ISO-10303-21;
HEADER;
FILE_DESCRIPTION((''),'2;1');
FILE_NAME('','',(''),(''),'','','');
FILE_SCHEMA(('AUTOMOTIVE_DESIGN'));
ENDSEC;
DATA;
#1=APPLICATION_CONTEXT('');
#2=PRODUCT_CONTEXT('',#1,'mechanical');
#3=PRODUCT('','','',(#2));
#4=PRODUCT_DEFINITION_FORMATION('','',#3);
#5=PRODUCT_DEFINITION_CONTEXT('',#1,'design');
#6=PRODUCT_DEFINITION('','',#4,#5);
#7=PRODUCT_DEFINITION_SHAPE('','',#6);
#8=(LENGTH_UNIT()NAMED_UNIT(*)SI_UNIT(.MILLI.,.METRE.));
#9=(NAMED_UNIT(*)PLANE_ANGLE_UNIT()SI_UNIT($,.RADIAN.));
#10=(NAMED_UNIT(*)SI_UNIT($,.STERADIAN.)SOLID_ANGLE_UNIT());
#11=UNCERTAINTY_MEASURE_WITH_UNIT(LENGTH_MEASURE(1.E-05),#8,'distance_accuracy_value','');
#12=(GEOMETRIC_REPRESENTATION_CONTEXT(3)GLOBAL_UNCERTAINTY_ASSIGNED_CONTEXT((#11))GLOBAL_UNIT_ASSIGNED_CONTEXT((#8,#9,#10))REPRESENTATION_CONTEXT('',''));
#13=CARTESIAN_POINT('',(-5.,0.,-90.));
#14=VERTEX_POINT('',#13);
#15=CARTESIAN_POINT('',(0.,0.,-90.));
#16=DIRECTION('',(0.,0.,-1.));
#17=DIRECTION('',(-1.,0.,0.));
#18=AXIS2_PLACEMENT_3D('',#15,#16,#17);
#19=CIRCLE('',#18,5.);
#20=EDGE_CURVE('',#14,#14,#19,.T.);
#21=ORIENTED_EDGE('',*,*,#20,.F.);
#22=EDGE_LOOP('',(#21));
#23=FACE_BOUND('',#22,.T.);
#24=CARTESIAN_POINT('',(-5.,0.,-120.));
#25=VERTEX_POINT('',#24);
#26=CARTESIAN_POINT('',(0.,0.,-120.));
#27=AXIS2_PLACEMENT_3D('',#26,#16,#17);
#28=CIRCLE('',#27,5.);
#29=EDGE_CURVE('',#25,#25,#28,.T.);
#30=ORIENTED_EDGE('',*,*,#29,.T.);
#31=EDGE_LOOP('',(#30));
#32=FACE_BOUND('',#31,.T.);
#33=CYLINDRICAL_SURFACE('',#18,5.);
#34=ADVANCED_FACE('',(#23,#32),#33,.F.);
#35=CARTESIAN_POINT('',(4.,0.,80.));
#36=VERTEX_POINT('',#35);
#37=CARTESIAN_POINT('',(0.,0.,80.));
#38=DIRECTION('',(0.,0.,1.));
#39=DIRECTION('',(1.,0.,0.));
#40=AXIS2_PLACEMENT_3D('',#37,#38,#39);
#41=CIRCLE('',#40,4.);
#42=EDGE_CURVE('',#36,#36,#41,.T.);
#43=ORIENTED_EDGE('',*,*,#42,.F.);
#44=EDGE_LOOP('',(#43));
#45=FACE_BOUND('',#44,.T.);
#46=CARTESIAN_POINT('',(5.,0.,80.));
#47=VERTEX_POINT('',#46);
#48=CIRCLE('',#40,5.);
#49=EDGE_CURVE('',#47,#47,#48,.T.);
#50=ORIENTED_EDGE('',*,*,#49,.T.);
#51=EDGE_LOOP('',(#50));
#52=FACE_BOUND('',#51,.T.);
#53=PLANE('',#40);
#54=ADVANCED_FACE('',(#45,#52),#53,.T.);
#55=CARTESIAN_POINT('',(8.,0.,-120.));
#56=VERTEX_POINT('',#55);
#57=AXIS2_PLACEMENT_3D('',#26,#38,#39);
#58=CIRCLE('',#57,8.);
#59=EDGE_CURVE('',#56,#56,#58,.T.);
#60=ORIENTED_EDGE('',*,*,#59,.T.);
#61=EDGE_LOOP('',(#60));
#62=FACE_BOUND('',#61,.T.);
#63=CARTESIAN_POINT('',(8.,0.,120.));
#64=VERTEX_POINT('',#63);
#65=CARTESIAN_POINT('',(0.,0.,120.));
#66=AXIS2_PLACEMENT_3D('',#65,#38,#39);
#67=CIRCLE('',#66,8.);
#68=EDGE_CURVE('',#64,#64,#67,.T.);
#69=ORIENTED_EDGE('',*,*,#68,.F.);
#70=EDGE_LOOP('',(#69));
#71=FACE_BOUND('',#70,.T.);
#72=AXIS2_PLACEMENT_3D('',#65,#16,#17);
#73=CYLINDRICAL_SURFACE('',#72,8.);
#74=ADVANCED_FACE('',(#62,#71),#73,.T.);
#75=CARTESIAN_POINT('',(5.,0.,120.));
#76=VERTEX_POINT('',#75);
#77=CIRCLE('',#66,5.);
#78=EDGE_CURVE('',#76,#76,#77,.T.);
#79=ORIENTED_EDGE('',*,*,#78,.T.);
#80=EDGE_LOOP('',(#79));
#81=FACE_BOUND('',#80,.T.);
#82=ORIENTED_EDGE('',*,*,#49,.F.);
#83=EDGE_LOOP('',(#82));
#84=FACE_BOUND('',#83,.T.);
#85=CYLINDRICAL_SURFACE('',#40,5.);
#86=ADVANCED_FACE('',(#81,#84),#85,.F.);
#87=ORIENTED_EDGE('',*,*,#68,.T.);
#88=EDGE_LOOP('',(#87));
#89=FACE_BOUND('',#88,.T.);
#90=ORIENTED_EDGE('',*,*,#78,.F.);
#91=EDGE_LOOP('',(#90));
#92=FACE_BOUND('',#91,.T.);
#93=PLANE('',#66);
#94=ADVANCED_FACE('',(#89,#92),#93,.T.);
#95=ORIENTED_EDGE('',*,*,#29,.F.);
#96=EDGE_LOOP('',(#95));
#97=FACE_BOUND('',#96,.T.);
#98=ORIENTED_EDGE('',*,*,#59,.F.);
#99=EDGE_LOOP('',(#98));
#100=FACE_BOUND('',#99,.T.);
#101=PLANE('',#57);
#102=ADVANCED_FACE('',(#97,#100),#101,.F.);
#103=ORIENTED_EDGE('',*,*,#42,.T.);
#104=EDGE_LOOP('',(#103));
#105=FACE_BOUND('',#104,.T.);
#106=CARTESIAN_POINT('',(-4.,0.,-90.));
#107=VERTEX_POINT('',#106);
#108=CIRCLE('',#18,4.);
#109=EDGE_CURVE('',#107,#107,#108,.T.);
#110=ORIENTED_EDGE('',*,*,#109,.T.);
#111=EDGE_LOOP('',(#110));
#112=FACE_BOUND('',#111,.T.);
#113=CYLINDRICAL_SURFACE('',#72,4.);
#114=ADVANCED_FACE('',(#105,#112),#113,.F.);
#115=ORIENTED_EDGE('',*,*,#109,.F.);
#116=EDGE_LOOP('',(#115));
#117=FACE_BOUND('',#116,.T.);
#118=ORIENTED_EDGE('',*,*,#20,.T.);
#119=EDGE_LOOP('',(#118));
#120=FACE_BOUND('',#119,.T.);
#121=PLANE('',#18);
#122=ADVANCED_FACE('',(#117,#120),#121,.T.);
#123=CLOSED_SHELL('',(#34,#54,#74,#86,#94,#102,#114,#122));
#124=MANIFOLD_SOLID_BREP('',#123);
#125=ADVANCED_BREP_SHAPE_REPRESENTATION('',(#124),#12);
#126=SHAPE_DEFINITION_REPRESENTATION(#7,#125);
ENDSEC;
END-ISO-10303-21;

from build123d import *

# Parameters (mm, degrees)
SZKIC1_R                    = 8
SZKIC1_R_2                  = 4
DODANIE_WYCI_GNI_CIE1_DEPTH = 120
SZKIC2_R                    = 5
WYTNIJ_WYCI_GNI_CIE1_DEPTH  = 40
WYTNIJ_WYCI_GNI_CIE2_START  = -30
SZKIC3_R                    = 5
WYTNIJ_WYCI_GNI_CIE2_DEPTH  = 30


with BuildPart() as part:
    # Szkic1 → Dodanie-wyciągnięcie1 (new, symmetric)
    with BuildSketch(Plane.XY):
        Circle(SZKIC1_R)
        Circle(SZKIC1_R_2, mode=Mode.SUBTRACT)
    extrude(amount=DODANIE_WYCI_GNI_CIE1_DEPTH, both=True)

    # Szkic2 → Wytnij-wyciągnięcie1 (cut)
    with BuildSketch(Plane.XY.offset(120)):
        Circle(SZKIC2_R)
    extrude(amount=-WYTNIJ_WYCI_GNI_CIE1_DEPTH, mode=Mode.SUBTRACT)

    # Szkic3 → Wytnij-wyciągnięcie2 (cut)
    with BuildSketch(Plane(origin=(0, 0, -120), x_dir=(-1, 0, 0), z_dir=(0, 0, -1)).offset(WYTNIJ_WYCI_GNI_CIE2_START)):
        with Locations(Location((0, 0, 0), (0, 0, 180))):
            Circle(SZKIC3_R)
    extrude(amount=WYTNIJ_WYCI_GNI_CIE2_DEPTH, mode=Mode.SUBTRACT)


solid = part.part
